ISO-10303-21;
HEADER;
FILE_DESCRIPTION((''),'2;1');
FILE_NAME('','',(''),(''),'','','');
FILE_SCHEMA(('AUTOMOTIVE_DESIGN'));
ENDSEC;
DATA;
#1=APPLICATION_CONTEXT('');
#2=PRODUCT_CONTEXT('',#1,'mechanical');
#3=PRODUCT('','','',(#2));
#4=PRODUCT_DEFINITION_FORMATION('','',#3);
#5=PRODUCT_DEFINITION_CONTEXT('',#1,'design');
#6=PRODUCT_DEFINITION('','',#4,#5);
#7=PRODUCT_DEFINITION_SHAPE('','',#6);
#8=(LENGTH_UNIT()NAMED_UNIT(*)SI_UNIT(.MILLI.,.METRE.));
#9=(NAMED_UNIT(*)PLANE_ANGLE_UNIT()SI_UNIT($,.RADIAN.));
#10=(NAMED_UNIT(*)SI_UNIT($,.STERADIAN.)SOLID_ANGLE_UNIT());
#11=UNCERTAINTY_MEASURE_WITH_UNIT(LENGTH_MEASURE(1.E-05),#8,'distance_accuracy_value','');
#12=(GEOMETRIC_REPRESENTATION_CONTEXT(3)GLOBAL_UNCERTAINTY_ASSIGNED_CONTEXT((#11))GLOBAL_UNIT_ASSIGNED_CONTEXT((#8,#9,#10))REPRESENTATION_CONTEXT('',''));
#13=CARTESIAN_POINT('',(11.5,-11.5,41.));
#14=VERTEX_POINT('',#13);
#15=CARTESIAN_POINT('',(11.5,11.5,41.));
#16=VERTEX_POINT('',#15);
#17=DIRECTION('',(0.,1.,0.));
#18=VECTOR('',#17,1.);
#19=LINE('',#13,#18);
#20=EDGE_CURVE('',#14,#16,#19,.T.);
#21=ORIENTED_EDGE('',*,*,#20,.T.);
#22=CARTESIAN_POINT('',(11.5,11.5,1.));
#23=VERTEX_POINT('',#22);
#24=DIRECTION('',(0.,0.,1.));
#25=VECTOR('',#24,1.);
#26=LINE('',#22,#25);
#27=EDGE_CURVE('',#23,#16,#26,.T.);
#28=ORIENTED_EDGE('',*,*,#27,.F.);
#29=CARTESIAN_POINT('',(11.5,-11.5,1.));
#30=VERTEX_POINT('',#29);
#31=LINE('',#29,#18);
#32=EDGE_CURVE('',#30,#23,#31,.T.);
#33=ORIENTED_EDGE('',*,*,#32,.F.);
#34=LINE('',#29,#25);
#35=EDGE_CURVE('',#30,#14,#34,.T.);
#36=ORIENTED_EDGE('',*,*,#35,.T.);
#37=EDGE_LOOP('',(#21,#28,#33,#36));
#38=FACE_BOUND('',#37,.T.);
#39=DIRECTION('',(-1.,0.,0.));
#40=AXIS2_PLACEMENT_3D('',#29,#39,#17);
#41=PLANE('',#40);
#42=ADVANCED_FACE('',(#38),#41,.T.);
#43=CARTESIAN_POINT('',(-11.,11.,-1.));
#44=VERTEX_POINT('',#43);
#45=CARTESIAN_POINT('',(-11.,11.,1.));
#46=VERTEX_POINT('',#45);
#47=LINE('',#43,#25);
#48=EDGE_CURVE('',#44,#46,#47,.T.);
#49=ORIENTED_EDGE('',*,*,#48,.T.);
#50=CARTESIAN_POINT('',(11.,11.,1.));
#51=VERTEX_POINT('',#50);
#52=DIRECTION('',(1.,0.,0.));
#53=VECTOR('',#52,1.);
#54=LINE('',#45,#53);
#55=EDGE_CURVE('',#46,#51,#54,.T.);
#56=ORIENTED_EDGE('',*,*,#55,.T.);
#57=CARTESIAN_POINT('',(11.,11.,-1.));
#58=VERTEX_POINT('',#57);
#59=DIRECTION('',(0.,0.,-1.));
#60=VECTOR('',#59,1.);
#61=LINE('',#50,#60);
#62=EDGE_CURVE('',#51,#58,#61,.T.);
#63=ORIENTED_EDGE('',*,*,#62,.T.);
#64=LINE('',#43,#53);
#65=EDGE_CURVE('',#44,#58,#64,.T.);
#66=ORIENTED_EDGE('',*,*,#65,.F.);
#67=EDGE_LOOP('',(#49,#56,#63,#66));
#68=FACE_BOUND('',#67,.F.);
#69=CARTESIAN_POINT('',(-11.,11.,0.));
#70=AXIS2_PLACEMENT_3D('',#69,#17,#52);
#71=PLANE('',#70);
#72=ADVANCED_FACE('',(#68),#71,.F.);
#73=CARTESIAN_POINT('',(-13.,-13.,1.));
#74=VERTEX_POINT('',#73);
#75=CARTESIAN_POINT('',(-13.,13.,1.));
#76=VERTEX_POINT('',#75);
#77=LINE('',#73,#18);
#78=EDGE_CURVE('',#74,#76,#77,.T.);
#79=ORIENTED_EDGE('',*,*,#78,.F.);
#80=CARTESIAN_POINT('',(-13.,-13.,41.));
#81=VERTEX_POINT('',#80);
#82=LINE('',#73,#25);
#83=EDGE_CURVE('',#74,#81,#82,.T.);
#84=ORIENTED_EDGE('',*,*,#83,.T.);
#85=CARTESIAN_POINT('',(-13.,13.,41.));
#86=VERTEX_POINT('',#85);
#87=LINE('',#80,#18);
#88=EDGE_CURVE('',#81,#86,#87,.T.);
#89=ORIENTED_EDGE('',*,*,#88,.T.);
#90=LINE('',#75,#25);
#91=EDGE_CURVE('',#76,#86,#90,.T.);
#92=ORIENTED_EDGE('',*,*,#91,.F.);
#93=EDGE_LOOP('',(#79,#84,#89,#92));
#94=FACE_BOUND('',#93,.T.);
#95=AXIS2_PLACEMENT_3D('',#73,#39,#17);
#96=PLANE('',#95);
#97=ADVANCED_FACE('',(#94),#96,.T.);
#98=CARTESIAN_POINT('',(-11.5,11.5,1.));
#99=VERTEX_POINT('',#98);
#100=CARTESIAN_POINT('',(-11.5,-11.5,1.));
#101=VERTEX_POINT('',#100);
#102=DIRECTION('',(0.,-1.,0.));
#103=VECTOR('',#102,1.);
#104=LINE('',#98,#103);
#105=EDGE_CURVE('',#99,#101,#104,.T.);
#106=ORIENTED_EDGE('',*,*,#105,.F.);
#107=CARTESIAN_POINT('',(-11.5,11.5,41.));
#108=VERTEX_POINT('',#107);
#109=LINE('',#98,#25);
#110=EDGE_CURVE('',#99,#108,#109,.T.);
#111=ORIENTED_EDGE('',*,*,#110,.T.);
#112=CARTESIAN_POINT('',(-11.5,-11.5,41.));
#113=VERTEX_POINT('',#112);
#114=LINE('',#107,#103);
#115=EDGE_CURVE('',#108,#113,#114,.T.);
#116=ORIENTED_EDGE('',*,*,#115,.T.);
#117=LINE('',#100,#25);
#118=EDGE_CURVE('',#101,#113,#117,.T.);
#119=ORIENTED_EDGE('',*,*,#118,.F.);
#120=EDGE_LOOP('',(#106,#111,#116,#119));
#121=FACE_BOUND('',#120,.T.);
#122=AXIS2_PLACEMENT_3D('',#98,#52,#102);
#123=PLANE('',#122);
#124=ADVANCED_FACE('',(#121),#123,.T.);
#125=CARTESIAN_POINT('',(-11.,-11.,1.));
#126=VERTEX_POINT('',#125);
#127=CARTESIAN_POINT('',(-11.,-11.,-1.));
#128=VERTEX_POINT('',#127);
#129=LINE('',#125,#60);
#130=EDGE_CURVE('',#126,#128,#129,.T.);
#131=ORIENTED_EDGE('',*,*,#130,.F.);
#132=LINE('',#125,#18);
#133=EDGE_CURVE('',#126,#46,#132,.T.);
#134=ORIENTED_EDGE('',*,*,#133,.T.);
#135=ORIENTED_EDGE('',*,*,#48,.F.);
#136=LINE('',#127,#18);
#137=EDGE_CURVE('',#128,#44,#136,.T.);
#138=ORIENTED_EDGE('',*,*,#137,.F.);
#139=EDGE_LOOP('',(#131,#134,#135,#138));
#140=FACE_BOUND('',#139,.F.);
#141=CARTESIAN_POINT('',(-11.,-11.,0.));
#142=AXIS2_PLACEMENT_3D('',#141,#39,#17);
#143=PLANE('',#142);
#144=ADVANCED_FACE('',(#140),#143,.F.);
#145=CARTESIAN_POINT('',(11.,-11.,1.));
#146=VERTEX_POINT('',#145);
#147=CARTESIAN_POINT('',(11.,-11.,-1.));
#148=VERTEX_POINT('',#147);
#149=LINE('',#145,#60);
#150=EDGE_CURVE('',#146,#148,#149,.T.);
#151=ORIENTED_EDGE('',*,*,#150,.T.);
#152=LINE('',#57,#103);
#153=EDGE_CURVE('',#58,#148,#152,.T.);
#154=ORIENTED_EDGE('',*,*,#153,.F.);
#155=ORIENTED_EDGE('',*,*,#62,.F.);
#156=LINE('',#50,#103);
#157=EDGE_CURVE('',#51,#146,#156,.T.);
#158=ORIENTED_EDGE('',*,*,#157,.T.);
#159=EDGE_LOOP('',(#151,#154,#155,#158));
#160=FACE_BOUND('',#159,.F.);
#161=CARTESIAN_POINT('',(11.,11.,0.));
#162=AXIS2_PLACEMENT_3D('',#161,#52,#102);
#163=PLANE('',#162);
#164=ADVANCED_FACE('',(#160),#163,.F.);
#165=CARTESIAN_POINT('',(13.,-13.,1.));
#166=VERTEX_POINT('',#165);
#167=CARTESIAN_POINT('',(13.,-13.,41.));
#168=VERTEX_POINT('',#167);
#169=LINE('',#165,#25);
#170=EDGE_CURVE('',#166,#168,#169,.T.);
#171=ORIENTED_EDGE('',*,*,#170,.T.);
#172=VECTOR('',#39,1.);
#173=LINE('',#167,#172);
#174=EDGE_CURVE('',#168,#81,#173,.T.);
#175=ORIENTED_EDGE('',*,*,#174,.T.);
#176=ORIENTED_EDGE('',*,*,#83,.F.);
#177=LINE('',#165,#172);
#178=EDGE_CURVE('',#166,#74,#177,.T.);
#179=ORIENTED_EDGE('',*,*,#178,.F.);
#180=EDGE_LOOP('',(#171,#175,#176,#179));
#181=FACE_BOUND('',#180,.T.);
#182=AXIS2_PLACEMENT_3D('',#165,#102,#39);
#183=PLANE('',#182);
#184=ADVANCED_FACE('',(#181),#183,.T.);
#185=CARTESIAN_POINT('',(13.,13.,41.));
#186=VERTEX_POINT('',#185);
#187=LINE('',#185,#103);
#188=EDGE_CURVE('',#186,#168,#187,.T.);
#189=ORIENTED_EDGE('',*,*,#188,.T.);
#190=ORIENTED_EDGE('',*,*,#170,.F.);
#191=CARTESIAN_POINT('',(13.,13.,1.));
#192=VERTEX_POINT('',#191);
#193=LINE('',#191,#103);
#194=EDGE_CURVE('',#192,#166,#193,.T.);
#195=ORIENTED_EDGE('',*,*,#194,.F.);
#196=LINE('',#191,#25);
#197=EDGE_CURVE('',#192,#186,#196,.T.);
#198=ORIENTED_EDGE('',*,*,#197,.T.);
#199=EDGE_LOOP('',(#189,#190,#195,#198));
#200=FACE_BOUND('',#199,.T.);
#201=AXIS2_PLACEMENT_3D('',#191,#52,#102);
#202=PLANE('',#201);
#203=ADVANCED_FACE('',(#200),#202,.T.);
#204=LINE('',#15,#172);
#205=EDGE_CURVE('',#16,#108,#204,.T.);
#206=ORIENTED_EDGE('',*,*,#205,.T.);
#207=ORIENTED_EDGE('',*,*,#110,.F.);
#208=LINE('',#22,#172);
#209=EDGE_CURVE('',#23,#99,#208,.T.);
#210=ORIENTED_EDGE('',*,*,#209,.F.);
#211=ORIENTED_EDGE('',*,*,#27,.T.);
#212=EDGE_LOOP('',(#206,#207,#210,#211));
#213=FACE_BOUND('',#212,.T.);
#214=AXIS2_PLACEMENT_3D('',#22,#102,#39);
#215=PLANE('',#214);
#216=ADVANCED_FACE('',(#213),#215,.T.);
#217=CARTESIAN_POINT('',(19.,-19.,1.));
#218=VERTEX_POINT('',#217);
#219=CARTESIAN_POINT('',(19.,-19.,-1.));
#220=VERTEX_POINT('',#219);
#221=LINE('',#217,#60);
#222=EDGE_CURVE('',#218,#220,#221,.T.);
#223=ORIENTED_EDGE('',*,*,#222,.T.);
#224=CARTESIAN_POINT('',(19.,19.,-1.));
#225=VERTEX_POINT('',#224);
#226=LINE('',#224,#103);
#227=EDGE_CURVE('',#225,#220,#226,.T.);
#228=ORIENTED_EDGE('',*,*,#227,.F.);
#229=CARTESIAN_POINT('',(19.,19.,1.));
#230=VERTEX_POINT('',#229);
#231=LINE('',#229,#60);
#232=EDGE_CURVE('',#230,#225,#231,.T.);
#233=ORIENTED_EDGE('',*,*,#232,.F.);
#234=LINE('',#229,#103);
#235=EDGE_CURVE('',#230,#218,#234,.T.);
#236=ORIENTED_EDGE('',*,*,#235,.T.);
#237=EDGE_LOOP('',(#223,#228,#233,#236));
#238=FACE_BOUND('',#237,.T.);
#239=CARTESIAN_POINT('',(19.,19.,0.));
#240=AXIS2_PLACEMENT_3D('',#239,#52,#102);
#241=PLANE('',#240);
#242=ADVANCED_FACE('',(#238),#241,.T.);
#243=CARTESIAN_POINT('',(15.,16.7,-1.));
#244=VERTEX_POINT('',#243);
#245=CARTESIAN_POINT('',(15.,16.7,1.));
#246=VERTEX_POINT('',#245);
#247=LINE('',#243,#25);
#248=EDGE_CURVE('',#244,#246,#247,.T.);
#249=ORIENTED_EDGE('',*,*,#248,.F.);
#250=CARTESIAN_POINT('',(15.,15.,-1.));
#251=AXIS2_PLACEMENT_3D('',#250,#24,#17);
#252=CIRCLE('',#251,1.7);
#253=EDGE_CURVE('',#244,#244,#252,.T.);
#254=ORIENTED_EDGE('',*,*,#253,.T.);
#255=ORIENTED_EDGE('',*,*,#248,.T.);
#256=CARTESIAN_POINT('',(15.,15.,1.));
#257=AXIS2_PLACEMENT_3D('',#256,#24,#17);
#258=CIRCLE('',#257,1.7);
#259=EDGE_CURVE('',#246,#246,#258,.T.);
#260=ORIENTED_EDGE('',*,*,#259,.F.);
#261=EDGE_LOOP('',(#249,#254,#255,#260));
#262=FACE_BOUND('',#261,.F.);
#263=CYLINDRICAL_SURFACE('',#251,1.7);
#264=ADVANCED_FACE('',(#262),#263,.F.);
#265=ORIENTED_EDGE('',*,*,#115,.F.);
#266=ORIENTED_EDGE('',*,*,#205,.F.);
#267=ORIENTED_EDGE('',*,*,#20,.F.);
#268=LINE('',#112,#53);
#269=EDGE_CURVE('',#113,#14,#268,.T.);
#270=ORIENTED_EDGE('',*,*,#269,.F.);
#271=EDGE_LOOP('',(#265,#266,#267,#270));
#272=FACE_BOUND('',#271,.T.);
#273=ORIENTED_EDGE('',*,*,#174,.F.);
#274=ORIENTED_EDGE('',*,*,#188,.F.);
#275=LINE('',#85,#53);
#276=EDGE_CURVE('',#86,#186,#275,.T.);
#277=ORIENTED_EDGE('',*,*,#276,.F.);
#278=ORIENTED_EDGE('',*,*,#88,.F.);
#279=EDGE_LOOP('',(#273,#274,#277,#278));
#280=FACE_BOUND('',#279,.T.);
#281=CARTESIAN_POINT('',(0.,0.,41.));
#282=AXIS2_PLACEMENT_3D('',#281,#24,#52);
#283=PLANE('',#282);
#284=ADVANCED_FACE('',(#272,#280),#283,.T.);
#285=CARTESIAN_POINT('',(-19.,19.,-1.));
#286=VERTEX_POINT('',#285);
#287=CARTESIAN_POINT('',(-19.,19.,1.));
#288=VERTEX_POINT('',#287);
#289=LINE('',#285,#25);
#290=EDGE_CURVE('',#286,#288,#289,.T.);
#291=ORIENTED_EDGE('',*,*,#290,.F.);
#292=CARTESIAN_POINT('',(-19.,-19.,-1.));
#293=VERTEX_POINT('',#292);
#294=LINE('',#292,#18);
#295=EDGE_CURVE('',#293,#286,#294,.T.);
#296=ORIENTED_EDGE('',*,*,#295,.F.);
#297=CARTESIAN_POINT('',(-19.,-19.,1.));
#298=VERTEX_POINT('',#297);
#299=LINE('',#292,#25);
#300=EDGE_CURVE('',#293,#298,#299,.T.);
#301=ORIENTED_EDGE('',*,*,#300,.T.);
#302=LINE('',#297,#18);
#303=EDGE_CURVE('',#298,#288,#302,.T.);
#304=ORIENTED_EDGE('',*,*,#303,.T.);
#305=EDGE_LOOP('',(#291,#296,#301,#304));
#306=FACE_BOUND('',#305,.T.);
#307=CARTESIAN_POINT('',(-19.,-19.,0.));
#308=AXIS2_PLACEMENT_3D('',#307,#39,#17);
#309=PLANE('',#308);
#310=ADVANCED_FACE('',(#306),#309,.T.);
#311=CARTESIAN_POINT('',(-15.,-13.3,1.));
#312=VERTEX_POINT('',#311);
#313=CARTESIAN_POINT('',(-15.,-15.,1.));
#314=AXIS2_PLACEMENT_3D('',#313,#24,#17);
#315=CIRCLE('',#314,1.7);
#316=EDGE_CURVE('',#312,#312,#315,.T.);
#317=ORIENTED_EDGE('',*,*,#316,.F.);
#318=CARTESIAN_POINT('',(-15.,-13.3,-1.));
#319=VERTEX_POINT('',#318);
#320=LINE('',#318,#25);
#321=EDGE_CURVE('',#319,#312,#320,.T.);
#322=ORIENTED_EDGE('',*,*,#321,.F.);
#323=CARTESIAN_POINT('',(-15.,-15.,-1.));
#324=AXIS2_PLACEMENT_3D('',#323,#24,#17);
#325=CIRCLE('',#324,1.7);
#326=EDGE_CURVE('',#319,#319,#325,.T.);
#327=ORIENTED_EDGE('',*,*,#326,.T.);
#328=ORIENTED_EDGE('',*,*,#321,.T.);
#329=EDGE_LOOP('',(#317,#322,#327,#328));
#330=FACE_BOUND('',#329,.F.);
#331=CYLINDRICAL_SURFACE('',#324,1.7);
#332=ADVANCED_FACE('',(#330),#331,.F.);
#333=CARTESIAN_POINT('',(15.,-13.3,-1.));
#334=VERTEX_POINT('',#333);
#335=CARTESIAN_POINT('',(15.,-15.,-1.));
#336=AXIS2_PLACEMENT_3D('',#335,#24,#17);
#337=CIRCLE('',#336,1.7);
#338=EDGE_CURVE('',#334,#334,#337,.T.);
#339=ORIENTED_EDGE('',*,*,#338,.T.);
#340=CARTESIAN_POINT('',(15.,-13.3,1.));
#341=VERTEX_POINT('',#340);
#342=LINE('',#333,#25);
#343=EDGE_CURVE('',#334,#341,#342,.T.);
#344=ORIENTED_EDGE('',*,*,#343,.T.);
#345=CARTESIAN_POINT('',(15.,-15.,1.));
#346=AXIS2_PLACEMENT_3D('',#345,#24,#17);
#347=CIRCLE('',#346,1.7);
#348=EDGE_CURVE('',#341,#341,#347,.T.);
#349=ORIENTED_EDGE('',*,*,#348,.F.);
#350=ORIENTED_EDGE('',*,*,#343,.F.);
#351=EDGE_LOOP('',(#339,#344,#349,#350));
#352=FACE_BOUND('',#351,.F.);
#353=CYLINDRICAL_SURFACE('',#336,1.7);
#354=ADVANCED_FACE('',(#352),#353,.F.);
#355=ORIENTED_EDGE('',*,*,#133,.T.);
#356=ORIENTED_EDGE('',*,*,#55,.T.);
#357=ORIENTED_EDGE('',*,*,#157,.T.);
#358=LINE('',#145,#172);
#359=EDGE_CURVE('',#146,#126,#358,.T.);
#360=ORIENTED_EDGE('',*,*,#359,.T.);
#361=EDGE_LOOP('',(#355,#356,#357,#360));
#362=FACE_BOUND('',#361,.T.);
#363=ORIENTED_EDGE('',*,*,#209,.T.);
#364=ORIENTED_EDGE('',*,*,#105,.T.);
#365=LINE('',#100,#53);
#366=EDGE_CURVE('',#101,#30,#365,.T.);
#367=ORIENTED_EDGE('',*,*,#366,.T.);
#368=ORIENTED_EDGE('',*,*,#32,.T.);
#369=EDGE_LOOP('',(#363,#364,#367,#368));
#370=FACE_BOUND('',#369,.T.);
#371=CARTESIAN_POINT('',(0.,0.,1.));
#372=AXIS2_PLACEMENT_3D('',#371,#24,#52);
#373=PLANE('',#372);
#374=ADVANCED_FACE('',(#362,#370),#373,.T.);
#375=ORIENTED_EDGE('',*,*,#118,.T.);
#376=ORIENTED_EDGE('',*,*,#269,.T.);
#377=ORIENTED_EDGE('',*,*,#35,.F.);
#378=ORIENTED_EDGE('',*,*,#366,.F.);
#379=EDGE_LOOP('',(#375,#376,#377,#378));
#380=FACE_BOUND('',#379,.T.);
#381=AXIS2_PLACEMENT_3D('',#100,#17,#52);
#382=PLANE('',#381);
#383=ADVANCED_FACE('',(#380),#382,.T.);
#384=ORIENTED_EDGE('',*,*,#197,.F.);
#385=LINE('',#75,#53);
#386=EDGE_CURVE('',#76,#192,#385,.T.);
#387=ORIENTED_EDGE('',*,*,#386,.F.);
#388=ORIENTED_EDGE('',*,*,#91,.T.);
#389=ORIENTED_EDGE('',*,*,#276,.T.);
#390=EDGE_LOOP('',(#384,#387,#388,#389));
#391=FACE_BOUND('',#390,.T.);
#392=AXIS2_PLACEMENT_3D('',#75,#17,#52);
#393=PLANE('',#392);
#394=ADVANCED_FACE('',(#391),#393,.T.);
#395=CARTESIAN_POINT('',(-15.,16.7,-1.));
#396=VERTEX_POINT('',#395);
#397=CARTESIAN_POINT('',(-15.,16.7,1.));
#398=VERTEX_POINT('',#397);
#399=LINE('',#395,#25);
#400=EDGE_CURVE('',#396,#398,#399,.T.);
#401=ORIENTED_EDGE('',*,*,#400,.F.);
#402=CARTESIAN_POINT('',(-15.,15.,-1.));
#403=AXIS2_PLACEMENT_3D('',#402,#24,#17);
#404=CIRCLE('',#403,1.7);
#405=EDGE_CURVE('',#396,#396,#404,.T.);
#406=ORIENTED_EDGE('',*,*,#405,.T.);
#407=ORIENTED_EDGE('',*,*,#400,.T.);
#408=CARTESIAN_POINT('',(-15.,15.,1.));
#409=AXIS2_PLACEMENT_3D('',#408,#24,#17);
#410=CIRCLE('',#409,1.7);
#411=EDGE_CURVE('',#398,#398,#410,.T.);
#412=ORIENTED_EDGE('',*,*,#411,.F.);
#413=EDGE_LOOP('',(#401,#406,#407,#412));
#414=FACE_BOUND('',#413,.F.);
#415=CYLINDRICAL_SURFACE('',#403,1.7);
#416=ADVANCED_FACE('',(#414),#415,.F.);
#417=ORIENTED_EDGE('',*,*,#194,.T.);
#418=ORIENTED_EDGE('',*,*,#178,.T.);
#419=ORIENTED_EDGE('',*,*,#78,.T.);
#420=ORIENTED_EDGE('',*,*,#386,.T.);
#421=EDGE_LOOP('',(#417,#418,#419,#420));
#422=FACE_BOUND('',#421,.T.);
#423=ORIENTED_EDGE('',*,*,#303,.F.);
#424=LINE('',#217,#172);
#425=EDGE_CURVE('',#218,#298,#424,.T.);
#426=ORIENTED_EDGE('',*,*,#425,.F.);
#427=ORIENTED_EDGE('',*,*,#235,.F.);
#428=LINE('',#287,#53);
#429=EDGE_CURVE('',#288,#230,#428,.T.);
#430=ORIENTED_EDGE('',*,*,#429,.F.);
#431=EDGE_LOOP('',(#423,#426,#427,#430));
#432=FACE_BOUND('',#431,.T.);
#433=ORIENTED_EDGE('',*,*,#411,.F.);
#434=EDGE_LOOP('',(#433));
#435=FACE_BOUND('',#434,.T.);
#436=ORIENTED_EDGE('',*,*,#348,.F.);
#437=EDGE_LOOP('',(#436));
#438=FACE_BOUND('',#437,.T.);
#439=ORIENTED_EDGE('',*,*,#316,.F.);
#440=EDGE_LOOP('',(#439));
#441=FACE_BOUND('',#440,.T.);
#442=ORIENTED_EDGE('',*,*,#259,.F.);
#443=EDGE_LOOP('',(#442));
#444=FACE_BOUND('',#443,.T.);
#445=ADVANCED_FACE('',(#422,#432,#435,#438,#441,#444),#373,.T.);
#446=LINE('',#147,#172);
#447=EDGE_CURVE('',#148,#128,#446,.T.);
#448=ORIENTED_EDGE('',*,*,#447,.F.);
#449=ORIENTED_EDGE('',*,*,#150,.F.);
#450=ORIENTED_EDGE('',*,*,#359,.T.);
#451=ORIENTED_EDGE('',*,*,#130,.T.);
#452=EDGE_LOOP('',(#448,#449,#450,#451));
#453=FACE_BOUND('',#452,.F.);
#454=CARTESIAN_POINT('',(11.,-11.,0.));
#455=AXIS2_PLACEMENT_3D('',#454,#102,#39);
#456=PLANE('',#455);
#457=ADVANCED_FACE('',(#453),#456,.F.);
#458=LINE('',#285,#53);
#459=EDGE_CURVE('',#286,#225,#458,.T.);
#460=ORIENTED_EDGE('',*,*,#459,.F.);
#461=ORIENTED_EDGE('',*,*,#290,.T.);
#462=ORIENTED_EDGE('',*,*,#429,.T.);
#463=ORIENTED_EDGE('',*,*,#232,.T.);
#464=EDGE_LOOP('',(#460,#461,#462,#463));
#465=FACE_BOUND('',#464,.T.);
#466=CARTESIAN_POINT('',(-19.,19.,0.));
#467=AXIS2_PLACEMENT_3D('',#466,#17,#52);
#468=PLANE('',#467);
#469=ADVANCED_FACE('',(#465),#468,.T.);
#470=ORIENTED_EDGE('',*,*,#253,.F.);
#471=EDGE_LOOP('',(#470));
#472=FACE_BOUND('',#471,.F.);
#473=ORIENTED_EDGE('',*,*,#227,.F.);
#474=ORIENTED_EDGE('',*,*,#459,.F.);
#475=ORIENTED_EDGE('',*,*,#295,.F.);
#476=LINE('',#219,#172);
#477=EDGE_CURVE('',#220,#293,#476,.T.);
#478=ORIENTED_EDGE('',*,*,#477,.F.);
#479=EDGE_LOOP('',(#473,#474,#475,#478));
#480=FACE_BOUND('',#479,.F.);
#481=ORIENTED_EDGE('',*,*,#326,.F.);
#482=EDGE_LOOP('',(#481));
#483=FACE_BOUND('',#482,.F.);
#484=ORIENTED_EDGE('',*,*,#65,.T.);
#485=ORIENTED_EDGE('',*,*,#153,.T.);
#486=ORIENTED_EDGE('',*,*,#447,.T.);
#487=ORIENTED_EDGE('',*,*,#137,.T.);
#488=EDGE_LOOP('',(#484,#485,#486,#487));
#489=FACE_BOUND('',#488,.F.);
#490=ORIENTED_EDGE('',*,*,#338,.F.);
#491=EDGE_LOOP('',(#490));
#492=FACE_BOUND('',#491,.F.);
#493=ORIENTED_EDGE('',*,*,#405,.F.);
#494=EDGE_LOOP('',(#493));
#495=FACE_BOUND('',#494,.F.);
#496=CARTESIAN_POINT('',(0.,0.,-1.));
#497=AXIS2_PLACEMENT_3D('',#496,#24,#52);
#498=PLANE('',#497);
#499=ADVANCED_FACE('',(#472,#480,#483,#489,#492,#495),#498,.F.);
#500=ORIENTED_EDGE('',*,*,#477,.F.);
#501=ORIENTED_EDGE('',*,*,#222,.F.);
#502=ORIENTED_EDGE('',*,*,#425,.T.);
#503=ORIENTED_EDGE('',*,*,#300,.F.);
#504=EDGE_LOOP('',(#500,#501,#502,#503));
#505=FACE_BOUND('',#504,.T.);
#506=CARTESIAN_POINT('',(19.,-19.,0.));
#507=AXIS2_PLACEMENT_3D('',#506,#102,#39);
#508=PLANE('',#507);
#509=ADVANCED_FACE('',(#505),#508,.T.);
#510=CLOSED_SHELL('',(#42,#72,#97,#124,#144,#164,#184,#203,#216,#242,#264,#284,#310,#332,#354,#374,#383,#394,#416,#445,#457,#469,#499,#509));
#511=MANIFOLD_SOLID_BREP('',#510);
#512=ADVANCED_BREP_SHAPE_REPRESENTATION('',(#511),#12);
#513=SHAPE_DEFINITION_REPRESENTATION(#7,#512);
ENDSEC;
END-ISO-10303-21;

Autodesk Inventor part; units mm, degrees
ref_plane "YZ Plane" through (0, 0, 0) normal (1, 0, 0) x (0, 1, 0)
ref_plane "XZ Plane" through (0, 0, 0) normal (0, 1, 0) x (-1, 0, 0)
ref_plane "XY Plane" through (0, 0, 0) normal (0, 0, 1) x (1, 0, 0)
sketch "Sketch1" plane through (0, 0, 0) normal (0, 0, 1) x (1, 0, 0)
  line L0 (-19, 19) -> (19, 19)
  line L1 (19, 19) -> (19, -19)
  line L2 (19, -19) -> (-19, -19)
  line L3 (-19, -19) -> (-19, 19)
  line L4 (-19, 19) -> (19, -19) construction
  line L5 (19, 19) -> (-19, -19) construction
  line L6 (-11, 11) -> (11, 11)
  line L7 (11, 11) -> (11, -11)
  line L8 (11, -11) -> (-11, -11)
  line L9 (-11, -11) -> (-11, 11)
  line L10 (-11, 11) -> (11, -11) construction
  line L11 (11, 11) -> (-11, -11) construction
  point P0 (0, 0)
  dimension "d0" = 38
  dimension "d1" = 38
  dimension "d2" = 22
  dimension "d3" = 22
extrude "Extrusion1" add sketch "Sketch1" along normal mid plane 2
sketch "Sketch2" plane through (0, 0, 1) normal (0, 0, 1) x (1, 0, 0)
  line L0 (-13, 13) -> (13, 13)
  line L1 (13, 13) -> (13, -13)
  line L2 (13, -13) -> (-13, -13)
  line L3 (-13, -13) -> (-13, 13)
  line L4 (-13, 13) -> (13, -13) construction
  line L5 (13, 13) -> (-13, -13) construction
  line L6 (-11.5, -11.5) -> (11.5, -11.5)
  line L7 (11.5, -11.5) -> (11.5, 11.5)
  line L8 (11.5, 11.5) -> (-11.5, 11.5)
  line L9 (-11.5, 11.5) -> (-11.5, -11.5)
  line L10 (-11.5, -11.5) -> (11.5, 11.5) construction
  line L11 (11.5, -11.5) -> (-11.5, 11.5) construction
  point P0 (0, 0)
  dimension "d6" = 26
  dimension "d7" = 26
  dimension "d8" = 23
extrude "Extrusion2" add sketch "Sketch2" along normal blind 40
sketch "Sketch3" plane through (0, 0, -1) normal (0, 0, -1) x (-1, 0, 0)
  line L0 (11, -11) -> (11, 11) projected
  line L1 (11, 11) -> (-11, 11) projected
  line L2 (-11, 11) -> (-11, -11) projected
  line L3 (-11, -11) -> (11, -11) projected
  line L4 (19, 19) -> (19, -19) projected
  line L5 (19, -19) -> (-19, -19) projected
  line L6 (-19, -19) -> (-19, 19) projected
  line L7 (-19, 19) -> (19, 19) projected
  point P0 (0, 0)
  point P1 (15, -15)
  point P2 (-15, -15)
  point P3 (15, 15)
  point P4 (-15, 15)
  dimension "d11" = 15
  dimension "d12" = 15
  dimension "d15" = 30
  dimension "d18" = 30
hole "Hole1" at (-15, -15, -1) at (15, -15, -1) at (-15, 15, -1) at (15, 15, -1) direction (0, 0, 1) diameter 3.4 end through all clearance for "Flat Head Machine Screw" size "M3" standard "Ansi Metric M Profile"
equation "\"d1\" = d0"
equation "\"d3\" = d2"
equation "\"d7\" = d6"
properties part number "pmtholder"
